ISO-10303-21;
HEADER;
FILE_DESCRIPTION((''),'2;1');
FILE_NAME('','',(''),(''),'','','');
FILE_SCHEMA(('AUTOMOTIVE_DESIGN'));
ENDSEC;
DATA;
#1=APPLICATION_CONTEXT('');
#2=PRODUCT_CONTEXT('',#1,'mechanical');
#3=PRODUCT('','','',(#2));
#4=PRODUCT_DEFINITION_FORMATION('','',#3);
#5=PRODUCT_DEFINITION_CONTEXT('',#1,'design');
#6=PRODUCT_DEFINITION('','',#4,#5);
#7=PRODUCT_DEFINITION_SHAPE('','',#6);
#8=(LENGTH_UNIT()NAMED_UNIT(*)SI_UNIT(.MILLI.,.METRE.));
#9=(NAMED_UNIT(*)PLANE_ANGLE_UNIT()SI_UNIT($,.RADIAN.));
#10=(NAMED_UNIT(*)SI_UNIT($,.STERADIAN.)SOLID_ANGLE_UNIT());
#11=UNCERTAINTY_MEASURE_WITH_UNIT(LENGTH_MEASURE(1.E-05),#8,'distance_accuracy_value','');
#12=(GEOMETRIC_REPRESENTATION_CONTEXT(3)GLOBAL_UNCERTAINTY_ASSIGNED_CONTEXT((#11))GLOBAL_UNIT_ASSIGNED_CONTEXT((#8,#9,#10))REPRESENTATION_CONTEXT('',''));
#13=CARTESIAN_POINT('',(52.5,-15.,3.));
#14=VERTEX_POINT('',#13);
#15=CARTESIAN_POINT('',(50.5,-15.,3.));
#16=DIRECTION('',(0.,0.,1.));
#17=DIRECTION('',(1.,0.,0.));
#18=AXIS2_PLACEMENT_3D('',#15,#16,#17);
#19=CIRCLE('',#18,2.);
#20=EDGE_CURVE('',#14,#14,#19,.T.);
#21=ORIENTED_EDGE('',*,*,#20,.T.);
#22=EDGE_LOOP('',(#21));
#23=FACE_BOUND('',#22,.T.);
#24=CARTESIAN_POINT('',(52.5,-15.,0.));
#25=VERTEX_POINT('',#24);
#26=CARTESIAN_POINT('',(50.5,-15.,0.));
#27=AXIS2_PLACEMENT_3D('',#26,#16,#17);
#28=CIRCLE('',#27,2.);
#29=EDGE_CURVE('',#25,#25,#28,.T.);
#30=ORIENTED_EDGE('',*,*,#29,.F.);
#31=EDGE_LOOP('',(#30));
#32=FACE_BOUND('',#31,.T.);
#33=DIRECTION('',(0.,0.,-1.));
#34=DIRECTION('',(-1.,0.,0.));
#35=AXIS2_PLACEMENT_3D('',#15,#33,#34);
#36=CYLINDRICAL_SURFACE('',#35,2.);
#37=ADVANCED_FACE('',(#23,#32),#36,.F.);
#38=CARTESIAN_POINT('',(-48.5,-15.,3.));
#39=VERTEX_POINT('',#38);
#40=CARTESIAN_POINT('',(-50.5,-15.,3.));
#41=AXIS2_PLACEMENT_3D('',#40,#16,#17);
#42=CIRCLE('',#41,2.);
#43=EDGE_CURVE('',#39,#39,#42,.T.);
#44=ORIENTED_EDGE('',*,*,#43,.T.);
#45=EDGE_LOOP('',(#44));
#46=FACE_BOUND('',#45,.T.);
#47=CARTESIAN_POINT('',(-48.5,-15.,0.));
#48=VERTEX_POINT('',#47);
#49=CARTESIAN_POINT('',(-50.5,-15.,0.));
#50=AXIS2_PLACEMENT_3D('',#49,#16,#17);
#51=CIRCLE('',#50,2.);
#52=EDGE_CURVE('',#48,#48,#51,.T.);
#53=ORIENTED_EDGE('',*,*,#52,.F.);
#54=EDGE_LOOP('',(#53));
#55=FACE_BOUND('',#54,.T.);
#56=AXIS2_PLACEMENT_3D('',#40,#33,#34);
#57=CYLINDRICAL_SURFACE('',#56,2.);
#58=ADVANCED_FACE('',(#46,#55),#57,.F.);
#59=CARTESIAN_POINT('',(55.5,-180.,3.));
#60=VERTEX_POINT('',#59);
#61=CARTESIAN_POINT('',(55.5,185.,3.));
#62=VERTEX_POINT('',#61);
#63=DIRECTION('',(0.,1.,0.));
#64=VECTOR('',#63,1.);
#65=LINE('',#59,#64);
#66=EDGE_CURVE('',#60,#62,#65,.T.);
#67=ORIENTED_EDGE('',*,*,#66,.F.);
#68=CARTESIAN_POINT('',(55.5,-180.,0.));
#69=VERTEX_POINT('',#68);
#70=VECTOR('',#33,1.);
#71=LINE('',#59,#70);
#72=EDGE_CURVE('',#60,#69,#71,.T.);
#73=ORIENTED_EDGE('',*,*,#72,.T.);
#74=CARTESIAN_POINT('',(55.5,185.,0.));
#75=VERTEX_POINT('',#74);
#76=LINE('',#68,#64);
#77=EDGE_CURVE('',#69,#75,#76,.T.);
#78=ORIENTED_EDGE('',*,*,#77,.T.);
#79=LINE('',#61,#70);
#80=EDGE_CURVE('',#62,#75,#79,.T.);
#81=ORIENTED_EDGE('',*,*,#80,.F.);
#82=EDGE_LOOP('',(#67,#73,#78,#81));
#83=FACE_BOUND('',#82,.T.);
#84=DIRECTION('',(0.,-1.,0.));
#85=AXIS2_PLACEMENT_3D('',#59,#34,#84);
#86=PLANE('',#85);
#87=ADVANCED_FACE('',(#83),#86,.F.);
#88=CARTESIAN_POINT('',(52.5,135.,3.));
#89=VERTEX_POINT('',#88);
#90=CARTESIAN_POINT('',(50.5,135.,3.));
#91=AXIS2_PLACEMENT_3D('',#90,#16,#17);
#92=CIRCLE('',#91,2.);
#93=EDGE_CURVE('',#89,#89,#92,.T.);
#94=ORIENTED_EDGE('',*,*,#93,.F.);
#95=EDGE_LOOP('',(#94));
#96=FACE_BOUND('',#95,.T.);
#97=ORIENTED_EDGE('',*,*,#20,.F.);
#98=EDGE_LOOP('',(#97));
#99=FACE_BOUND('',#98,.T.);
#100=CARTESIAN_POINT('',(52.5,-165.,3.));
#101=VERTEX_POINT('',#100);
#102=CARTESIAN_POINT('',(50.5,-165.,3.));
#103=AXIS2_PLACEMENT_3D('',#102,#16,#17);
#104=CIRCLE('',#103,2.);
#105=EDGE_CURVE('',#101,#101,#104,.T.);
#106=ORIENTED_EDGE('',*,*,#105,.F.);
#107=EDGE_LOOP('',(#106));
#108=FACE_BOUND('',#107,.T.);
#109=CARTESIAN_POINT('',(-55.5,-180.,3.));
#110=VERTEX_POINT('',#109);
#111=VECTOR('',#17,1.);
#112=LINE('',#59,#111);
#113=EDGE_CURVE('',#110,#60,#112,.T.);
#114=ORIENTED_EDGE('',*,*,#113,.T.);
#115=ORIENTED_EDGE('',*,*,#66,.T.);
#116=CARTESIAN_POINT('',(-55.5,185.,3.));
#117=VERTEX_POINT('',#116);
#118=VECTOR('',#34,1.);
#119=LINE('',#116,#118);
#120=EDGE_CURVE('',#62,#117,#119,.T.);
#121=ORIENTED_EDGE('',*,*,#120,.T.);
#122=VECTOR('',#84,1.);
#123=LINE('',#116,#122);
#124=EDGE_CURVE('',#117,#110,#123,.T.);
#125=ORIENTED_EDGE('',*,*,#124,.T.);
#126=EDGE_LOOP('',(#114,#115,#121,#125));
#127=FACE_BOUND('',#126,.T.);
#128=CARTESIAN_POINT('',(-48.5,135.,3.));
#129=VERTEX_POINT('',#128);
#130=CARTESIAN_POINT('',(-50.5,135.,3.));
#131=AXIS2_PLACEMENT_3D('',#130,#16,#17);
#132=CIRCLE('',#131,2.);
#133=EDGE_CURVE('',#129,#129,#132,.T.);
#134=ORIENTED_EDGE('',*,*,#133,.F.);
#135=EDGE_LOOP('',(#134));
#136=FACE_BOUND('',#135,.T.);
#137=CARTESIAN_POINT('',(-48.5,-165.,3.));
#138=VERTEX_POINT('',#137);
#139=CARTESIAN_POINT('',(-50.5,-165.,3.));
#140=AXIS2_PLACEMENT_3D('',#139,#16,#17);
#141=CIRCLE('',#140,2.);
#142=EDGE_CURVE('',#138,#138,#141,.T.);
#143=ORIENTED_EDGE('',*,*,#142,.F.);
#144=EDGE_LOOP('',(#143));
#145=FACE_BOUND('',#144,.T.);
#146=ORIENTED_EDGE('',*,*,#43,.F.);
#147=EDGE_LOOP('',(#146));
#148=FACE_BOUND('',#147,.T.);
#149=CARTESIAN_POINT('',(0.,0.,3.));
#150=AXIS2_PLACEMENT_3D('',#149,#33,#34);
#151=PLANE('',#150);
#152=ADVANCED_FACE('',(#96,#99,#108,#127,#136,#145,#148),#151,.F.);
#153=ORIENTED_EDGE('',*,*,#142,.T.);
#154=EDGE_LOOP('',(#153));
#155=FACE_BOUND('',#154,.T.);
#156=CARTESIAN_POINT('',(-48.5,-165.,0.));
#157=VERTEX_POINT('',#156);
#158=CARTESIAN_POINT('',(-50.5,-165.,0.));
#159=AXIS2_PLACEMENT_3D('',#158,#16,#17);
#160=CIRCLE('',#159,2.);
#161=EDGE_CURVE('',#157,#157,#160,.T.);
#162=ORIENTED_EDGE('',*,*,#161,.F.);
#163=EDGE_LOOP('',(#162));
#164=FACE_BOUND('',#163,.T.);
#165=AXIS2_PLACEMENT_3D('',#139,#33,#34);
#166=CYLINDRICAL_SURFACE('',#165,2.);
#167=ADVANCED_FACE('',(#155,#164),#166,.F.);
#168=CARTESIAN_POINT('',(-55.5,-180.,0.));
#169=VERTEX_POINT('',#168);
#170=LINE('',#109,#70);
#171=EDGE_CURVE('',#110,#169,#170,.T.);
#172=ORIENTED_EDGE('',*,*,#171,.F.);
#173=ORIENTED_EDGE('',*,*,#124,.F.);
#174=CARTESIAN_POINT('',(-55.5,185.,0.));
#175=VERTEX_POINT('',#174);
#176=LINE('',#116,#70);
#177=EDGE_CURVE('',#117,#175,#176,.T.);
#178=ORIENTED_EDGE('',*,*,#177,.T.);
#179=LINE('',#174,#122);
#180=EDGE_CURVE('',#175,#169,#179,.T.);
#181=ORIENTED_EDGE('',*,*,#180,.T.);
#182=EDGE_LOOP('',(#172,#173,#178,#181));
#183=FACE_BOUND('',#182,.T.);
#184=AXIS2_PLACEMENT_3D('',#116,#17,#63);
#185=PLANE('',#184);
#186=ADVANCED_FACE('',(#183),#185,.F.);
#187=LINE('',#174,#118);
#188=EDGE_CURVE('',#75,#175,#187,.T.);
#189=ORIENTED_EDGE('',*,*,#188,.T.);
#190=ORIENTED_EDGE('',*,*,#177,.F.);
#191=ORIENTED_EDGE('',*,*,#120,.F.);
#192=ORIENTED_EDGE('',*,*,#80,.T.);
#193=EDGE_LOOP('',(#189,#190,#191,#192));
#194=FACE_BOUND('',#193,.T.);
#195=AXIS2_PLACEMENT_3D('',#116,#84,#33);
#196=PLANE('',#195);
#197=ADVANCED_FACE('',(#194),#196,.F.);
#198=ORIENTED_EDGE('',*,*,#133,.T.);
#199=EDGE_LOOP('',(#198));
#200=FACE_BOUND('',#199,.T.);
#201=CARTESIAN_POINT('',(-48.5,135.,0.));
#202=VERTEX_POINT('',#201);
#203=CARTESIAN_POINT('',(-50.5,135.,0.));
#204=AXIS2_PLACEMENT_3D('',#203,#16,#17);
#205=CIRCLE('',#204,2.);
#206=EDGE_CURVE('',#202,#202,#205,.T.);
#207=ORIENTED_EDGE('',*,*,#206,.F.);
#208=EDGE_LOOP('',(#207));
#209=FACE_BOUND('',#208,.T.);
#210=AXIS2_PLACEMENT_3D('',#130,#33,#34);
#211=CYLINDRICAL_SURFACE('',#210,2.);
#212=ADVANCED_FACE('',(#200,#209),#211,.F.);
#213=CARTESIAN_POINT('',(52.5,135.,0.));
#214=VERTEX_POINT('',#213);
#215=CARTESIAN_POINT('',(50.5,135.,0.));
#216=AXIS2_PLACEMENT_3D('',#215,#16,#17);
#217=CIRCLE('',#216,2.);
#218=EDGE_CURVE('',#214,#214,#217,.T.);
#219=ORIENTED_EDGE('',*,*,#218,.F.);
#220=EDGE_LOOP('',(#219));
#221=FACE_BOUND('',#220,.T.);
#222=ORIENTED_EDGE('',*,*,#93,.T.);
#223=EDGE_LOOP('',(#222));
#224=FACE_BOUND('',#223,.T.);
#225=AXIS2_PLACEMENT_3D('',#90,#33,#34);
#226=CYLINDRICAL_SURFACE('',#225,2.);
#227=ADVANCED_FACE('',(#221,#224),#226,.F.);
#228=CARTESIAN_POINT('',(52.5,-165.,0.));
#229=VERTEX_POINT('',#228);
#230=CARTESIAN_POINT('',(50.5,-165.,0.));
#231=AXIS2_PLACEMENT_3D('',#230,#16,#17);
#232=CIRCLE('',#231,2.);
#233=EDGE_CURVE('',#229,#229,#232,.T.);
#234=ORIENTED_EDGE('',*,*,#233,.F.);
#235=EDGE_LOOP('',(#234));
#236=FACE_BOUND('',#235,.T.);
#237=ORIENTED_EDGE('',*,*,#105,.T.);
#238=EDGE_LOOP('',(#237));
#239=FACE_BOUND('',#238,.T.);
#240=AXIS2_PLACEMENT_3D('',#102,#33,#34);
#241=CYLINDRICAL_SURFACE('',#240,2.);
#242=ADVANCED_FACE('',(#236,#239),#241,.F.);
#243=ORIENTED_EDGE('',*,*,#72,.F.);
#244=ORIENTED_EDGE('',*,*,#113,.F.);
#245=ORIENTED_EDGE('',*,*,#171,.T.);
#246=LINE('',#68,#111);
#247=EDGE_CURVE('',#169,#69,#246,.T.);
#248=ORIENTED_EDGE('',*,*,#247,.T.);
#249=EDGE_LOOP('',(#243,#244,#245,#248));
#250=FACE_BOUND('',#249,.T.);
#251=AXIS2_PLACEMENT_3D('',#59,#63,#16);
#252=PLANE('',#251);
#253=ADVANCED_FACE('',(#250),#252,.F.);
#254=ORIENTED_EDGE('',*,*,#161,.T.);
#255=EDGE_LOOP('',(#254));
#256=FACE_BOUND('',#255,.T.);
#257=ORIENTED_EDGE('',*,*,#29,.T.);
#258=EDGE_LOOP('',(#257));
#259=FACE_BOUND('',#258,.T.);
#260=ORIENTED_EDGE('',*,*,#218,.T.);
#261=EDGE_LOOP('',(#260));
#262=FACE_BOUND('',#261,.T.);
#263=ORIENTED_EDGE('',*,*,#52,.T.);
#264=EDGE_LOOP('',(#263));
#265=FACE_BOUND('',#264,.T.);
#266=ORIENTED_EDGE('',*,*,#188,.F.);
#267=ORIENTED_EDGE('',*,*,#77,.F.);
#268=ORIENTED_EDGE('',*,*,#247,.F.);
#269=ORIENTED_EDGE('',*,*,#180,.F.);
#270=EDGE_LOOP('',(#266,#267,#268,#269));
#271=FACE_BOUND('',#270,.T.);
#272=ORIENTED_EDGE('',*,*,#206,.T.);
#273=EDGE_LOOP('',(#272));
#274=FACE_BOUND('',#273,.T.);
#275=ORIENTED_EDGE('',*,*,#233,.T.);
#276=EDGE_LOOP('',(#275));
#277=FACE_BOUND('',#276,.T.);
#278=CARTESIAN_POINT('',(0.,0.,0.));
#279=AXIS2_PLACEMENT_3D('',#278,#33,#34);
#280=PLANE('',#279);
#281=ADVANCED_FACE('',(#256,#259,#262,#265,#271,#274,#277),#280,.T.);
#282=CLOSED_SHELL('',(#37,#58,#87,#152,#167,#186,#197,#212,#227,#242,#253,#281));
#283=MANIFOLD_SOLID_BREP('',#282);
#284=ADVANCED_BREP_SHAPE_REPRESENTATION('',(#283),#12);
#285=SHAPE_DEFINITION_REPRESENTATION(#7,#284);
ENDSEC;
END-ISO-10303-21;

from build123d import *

# Parameters (mm, degrees)
SKETCH1_W           = 111
SKETCH1_H           = 365
SKETCH1_R           = 2
BOSS_EXTRUDE1_DEPTH = 3


with BuildPart() as part:
    # Sketch1 → Boss-Extrude1 (new body)
    with BuildSketch(Plane.XY):
        with Locations((0, 2.5)):
            Rectangle(SKETCH1_W, SKETCH1_H)
        with Locations((50.5, -15)):
            Circle(SKETCH1_R, mode=Mode.SUBTRACT)
        with Locations((-50.5, -15)):
            Circle(SKETCH1_R, mode=Mode.SUBTRACT)
        with Locations((-50.5, -165)):
            Circle(SKETCH1_R, mode=Mode.SUBTRACT)
        with Locations((50.5, -165)):
            Circle(SKETCH1_R, mode=Mode.SUBTRACT)
        with Locations((50.5, 135)):
            Circle(SKETCH1_R, mode=Mode.SUBTRACT)
        with Locations((-50.5, 135)):
            Circle(SKETCH1_R, mode=Mode.SUBTRACT)
    extrude(amount=BOSS_EXTRUDE1_DEPTH)


solid = part.part
